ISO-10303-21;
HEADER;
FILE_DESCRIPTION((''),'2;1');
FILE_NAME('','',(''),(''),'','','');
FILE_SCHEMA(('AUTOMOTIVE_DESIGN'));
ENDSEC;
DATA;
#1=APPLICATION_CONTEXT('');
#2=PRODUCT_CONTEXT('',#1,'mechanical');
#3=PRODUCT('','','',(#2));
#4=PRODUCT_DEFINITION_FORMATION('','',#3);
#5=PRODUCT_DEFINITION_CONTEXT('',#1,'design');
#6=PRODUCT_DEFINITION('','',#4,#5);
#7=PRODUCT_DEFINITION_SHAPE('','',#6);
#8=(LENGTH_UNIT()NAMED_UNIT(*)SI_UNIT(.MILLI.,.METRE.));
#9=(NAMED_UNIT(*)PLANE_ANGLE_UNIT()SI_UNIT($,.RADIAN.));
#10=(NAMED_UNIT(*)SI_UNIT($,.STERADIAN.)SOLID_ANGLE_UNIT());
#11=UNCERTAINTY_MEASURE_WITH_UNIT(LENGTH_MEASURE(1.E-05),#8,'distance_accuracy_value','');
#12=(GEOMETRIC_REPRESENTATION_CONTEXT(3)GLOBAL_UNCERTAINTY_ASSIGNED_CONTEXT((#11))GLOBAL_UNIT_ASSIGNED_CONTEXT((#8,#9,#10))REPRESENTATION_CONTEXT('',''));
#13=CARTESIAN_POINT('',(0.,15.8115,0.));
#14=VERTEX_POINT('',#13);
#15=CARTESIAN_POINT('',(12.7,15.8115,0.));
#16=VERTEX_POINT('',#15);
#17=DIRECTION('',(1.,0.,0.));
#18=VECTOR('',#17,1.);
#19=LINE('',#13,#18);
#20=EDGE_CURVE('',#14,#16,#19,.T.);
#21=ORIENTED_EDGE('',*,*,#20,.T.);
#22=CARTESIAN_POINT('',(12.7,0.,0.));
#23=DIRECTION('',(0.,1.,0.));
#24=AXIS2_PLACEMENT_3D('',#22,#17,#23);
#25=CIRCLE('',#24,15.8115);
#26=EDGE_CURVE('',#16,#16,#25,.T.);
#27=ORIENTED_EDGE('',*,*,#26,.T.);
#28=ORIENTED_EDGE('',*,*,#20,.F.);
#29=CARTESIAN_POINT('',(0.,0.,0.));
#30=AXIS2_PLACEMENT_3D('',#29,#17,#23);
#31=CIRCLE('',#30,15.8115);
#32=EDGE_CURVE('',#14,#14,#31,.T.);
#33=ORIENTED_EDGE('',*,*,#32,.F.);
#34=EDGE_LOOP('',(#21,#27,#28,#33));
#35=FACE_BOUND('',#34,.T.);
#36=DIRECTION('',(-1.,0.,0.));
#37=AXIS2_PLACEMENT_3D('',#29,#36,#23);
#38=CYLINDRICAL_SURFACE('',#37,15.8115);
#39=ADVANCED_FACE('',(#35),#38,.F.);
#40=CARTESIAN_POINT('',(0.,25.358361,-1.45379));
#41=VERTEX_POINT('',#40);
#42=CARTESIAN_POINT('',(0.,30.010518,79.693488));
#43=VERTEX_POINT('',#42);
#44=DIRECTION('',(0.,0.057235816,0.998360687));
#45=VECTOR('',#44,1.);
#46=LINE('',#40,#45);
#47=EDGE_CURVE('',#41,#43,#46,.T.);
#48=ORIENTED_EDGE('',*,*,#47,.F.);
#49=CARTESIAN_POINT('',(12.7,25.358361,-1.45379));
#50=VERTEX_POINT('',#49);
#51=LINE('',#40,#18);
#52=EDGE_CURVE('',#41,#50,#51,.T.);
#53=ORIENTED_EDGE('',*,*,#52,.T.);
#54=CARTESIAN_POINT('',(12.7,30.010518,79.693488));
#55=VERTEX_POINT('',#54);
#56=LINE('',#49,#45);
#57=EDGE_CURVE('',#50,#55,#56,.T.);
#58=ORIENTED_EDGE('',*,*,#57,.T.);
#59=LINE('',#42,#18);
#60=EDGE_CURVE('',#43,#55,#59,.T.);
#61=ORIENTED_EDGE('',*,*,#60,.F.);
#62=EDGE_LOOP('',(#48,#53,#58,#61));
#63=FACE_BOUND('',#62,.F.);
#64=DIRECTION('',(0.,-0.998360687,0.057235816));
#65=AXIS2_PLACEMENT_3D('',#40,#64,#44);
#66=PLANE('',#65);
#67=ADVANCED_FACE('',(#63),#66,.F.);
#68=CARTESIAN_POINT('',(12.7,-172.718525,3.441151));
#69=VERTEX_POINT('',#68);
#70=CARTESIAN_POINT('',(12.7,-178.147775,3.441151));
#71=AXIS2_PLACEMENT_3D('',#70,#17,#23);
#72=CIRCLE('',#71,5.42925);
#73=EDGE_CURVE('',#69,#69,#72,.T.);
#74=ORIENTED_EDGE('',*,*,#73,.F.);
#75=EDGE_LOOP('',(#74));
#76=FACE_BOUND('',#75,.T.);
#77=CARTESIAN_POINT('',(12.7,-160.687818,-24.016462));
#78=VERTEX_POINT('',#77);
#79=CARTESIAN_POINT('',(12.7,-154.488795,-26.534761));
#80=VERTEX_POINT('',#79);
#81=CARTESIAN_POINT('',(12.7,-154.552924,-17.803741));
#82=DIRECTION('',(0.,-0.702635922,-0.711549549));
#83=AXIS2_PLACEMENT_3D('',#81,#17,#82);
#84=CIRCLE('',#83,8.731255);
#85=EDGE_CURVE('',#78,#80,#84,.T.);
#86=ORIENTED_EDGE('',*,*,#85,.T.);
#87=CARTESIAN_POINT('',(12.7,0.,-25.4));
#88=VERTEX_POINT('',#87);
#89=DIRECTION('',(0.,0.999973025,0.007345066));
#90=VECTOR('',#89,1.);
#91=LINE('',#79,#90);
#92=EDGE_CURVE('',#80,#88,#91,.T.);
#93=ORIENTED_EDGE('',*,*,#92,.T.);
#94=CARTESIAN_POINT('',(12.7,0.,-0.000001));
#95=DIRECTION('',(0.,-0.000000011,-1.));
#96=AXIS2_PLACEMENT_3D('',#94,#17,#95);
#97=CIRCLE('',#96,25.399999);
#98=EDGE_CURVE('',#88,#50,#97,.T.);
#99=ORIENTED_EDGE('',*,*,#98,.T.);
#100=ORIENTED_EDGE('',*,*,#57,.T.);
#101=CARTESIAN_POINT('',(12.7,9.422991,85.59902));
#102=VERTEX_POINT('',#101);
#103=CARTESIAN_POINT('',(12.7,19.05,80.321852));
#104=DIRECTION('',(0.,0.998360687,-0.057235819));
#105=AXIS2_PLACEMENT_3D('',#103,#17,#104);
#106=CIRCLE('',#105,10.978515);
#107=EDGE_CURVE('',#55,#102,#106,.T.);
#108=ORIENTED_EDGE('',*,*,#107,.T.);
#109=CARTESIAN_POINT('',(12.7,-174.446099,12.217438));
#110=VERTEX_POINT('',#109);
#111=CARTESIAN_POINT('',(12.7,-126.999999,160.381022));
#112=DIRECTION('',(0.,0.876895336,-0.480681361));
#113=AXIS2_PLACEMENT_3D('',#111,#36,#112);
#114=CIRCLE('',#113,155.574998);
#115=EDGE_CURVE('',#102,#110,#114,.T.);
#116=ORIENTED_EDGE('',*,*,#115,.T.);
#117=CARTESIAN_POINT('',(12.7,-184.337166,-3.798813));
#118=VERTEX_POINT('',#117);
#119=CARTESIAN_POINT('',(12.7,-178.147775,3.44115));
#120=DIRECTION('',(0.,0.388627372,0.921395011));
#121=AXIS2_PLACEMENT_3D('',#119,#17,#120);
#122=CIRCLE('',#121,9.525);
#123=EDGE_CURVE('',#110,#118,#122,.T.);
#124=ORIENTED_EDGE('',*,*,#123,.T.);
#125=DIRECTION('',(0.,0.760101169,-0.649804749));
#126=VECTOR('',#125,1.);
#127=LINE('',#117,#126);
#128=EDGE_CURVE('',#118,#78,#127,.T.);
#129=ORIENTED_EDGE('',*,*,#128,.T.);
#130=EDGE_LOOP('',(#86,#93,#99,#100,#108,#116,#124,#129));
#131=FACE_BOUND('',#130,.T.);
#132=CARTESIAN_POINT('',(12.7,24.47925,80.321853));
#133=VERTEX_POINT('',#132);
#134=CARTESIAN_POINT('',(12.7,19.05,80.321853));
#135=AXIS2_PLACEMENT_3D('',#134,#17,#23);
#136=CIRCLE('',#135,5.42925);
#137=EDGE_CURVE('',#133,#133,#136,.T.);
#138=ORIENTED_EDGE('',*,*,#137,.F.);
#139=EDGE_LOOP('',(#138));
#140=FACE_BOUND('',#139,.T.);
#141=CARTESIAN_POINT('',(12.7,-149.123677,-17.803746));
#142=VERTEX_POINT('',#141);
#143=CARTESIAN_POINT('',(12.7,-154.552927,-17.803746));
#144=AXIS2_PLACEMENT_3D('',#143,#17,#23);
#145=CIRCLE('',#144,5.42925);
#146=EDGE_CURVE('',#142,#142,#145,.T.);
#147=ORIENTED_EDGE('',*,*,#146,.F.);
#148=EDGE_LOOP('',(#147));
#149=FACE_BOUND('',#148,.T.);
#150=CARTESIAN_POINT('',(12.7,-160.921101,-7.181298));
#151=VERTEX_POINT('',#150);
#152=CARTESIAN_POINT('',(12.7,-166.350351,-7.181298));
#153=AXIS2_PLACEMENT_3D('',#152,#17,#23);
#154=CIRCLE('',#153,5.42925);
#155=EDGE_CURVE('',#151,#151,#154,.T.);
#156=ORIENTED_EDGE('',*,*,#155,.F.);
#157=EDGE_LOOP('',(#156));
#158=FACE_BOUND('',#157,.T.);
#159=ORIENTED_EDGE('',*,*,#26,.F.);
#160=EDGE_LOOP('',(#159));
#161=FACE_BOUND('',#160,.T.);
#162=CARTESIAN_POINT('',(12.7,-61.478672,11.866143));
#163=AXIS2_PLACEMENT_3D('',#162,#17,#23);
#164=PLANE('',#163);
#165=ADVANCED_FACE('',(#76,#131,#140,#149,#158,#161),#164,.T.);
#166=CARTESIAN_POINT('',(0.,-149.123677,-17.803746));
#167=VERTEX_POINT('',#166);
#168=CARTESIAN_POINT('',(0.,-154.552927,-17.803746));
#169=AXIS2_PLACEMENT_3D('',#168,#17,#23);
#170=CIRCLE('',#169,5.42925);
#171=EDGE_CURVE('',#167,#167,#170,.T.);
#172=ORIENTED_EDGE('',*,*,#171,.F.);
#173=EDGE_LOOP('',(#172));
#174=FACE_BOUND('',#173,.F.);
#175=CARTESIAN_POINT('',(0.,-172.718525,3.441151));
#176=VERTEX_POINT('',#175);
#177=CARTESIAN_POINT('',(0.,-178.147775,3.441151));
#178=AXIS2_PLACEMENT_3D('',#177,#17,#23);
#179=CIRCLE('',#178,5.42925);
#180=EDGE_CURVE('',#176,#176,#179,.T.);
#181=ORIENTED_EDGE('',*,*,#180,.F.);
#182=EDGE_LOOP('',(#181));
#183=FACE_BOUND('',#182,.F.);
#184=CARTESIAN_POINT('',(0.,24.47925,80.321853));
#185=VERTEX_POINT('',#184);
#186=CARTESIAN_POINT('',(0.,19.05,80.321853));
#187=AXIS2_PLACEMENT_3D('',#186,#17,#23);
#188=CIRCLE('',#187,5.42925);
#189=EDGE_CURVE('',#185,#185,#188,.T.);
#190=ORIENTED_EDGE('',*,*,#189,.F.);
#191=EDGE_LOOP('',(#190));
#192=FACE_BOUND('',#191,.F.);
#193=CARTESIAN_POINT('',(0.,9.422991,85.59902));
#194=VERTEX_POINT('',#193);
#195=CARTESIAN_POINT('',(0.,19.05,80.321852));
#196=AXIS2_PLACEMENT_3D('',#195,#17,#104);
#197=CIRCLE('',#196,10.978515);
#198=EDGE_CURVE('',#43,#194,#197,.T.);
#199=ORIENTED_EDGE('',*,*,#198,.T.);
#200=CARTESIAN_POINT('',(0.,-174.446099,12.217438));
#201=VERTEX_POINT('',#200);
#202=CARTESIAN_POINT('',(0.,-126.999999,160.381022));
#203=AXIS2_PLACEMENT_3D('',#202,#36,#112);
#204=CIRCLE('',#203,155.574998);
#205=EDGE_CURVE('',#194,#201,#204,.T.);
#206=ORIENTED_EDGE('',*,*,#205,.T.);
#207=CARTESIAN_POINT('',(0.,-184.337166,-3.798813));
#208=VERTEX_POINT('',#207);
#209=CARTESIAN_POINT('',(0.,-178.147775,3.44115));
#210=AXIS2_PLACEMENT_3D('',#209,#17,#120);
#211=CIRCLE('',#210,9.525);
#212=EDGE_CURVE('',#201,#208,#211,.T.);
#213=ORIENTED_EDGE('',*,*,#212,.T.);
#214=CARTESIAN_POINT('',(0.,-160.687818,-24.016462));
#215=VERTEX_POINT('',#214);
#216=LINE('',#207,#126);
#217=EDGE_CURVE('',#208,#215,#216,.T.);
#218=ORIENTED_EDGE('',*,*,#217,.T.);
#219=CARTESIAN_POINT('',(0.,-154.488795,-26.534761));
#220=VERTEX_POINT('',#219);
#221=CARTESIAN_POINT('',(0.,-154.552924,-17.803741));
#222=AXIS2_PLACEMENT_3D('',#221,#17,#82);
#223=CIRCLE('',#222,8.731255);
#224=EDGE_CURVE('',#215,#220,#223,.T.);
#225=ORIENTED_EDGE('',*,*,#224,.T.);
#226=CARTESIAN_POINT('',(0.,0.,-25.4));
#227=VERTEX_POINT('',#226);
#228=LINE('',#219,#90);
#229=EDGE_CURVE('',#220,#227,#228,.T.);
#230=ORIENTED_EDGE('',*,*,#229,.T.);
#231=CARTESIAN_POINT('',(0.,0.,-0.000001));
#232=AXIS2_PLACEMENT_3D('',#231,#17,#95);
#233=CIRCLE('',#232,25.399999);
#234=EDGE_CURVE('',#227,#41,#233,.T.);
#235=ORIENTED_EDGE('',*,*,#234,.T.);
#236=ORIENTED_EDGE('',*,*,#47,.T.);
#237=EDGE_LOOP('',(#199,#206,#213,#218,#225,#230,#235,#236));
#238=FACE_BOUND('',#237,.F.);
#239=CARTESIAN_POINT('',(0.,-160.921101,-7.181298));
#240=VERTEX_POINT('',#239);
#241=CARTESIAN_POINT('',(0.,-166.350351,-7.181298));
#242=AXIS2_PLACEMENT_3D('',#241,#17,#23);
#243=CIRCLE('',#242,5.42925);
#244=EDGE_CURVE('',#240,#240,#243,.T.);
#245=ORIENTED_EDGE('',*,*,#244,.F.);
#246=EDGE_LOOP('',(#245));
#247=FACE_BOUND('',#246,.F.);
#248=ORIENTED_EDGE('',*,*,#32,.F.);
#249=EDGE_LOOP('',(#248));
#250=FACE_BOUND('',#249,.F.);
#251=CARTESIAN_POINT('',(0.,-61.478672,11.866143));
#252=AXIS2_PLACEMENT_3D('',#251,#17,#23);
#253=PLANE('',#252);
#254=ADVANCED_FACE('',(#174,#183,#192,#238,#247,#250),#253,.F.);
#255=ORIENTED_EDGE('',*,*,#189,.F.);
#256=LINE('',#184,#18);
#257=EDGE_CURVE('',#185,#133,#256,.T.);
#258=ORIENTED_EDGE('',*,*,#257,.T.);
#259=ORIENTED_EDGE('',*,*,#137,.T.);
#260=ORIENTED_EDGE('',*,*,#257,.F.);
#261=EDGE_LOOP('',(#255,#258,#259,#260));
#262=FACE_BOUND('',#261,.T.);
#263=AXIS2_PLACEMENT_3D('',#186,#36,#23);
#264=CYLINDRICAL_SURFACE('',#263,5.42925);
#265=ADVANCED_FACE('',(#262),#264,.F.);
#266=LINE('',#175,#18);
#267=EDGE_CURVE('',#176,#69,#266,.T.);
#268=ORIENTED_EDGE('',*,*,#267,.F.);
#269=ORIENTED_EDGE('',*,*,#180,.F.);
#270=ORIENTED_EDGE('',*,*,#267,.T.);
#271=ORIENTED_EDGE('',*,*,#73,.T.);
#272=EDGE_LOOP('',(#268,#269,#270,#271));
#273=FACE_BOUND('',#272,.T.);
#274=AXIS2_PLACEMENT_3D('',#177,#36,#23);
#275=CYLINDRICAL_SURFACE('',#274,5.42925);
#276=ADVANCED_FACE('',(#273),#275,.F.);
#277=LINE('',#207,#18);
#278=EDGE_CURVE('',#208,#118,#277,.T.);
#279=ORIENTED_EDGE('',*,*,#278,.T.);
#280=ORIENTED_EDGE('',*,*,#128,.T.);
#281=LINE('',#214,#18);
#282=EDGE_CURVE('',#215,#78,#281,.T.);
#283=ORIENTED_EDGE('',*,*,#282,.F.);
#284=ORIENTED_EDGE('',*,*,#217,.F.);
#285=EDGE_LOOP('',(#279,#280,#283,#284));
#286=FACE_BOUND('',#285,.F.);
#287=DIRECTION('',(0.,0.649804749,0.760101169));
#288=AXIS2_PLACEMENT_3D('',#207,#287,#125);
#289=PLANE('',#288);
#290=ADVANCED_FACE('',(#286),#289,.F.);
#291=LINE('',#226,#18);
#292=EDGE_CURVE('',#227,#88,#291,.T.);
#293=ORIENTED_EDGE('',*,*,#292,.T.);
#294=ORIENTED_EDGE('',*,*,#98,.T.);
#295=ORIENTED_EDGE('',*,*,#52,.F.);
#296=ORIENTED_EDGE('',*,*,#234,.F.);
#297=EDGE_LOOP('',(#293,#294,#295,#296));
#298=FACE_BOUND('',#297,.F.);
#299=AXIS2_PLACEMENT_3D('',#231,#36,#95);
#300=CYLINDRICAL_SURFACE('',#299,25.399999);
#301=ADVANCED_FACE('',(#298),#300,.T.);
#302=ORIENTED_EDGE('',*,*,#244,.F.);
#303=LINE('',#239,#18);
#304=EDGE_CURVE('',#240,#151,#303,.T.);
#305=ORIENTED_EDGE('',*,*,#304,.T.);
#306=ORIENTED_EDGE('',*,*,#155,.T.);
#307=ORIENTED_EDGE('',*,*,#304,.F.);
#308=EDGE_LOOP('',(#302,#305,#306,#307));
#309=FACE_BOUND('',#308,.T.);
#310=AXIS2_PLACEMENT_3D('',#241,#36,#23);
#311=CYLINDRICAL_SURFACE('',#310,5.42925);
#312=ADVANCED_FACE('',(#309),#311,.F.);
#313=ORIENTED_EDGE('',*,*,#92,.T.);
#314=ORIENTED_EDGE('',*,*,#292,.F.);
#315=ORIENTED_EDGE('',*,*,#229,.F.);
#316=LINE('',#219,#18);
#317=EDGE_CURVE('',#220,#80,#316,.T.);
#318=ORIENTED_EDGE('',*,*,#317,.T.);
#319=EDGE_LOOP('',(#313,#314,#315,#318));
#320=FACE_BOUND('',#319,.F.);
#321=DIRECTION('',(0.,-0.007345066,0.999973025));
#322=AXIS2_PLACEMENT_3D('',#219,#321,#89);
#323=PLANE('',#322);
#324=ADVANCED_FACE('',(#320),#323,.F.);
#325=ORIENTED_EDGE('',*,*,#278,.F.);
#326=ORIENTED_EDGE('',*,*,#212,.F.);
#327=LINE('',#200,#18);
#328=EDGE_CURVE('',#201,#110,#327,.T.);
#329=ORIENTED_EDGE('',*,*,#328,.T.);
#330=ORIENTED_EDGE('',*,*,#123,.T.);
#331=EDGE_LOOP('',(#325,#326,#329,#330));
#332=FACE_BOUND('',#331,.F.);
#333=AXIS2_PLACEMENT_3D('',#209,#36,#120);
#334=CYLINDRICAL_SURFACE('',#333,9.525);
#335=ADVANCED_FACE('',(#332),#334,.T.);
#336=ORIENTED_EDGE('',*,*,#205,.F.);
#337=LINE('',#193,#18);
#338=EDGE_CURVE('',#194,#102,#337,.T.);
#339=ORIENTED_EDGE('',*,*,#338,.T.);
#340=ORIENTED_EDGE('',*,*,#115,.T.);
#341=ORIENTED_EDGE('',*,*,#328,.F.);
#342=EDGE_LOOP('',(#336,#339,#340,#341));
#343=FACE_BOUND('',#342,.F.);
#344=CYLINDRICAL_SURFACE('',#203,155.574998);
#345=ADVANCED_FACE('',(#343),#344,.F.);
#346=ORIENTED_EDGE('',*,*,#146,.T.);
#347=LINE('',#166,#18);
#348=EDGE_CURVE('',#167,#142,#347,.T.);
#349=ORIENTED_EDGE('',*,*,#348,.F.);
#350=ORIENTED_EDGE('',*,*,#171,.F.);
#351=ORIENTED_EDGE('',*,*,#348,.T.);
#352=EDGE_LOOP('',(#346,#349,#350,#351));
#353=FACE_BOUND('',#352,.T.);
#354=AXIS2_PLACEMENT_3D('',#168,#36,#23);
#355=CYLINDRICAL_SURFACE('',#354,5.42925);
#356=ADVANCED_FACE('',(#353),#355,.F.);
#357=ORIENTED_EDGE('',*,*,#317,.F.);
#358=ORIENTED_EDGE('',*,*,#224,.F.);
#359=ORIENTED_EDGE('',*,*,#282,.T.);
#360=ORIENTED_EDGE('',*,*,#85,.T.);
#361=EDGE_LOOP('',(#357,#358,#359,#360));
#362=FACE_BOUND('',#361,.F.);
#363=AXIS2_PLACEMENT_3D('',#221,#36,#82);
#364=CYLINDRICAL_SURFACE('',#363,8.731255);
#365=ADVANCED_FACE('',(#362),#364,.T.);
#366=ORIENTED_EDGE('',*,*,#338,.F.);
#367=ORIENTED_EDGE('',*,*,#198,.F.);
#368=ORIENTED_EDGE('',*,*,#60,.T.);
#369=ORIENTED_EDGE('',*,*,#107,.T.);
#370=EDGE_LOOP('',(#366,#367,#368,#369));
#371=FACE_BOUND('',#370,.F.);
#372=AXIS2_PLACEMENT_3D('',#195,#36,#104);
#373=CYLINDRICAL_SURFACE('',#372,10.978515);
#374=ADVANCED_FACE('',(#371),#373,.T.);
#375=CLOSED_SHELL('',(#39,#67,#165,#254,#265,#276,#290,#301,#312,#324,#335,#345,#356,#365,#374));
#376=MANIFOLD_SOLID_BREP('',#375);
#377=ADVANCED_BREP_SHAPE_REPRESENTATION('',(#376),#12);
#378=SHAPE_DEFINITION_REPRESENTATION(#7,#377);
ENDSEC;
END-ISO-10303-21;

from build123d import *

# Parameters (mm, degrees)
F0_R     = 5.42925
F0_R_2   = 15.8115
F1_DEPTH = 12.7


with BuildPart() as f1:
    # F0 (on Right) → F1 (new body)
    with BuildSketch(Plane.YZ):
        with BuildLine():
            Line((-154.488795, -26.534761), (0, -25.4))
            ThreePointArc((0, -25.4), (17.438947, -18.467353), (25.358361, -1.45379))
            Line((25.358361, -1.45379), (30.010518, 79.693488))
            ThreePointArc((30.010518, 79.693488), (22.077109, 90.874786), (9.422991, 85.59902))
            ThreePointArc((9.422991, 85.59902), (-69.333406, 15.888309), (-174.446099, 12.217438))
            ThreePointArc((-174.446099, 12.217438), (-186.251925, 8.445986), (-184.337166, -3.798813))
            Line((-184.337166, -3.798813), (-160.687818, -24.016462))
            ThreePointArc((-160.687818, -24.016462), (-157.839108, -25.892982), (-154.488795, -26.534761))
        make_face()
        with Locations((-154.552927, -17.803746)):
            Circle(F0_R, mode=Mode.SUBTRACT)
        with Locations((-166.350351, -7.181298)):
            Circle(F0_R, mode=Mode.SUBTRACT)
        with Locations((-178.147775, 3.441151)):
            Circle(F0_R, mode=Mode.SUBTRACT)
        Circle(F0_R_2, mode=Mode.SUBTRACT)
        with Locations((19.05, 80.321853)):
            Circle(F0_R, mode=Mode.SUBTRACT)
    extrude(amount=F1_DEPTH)


solid = f1.part
